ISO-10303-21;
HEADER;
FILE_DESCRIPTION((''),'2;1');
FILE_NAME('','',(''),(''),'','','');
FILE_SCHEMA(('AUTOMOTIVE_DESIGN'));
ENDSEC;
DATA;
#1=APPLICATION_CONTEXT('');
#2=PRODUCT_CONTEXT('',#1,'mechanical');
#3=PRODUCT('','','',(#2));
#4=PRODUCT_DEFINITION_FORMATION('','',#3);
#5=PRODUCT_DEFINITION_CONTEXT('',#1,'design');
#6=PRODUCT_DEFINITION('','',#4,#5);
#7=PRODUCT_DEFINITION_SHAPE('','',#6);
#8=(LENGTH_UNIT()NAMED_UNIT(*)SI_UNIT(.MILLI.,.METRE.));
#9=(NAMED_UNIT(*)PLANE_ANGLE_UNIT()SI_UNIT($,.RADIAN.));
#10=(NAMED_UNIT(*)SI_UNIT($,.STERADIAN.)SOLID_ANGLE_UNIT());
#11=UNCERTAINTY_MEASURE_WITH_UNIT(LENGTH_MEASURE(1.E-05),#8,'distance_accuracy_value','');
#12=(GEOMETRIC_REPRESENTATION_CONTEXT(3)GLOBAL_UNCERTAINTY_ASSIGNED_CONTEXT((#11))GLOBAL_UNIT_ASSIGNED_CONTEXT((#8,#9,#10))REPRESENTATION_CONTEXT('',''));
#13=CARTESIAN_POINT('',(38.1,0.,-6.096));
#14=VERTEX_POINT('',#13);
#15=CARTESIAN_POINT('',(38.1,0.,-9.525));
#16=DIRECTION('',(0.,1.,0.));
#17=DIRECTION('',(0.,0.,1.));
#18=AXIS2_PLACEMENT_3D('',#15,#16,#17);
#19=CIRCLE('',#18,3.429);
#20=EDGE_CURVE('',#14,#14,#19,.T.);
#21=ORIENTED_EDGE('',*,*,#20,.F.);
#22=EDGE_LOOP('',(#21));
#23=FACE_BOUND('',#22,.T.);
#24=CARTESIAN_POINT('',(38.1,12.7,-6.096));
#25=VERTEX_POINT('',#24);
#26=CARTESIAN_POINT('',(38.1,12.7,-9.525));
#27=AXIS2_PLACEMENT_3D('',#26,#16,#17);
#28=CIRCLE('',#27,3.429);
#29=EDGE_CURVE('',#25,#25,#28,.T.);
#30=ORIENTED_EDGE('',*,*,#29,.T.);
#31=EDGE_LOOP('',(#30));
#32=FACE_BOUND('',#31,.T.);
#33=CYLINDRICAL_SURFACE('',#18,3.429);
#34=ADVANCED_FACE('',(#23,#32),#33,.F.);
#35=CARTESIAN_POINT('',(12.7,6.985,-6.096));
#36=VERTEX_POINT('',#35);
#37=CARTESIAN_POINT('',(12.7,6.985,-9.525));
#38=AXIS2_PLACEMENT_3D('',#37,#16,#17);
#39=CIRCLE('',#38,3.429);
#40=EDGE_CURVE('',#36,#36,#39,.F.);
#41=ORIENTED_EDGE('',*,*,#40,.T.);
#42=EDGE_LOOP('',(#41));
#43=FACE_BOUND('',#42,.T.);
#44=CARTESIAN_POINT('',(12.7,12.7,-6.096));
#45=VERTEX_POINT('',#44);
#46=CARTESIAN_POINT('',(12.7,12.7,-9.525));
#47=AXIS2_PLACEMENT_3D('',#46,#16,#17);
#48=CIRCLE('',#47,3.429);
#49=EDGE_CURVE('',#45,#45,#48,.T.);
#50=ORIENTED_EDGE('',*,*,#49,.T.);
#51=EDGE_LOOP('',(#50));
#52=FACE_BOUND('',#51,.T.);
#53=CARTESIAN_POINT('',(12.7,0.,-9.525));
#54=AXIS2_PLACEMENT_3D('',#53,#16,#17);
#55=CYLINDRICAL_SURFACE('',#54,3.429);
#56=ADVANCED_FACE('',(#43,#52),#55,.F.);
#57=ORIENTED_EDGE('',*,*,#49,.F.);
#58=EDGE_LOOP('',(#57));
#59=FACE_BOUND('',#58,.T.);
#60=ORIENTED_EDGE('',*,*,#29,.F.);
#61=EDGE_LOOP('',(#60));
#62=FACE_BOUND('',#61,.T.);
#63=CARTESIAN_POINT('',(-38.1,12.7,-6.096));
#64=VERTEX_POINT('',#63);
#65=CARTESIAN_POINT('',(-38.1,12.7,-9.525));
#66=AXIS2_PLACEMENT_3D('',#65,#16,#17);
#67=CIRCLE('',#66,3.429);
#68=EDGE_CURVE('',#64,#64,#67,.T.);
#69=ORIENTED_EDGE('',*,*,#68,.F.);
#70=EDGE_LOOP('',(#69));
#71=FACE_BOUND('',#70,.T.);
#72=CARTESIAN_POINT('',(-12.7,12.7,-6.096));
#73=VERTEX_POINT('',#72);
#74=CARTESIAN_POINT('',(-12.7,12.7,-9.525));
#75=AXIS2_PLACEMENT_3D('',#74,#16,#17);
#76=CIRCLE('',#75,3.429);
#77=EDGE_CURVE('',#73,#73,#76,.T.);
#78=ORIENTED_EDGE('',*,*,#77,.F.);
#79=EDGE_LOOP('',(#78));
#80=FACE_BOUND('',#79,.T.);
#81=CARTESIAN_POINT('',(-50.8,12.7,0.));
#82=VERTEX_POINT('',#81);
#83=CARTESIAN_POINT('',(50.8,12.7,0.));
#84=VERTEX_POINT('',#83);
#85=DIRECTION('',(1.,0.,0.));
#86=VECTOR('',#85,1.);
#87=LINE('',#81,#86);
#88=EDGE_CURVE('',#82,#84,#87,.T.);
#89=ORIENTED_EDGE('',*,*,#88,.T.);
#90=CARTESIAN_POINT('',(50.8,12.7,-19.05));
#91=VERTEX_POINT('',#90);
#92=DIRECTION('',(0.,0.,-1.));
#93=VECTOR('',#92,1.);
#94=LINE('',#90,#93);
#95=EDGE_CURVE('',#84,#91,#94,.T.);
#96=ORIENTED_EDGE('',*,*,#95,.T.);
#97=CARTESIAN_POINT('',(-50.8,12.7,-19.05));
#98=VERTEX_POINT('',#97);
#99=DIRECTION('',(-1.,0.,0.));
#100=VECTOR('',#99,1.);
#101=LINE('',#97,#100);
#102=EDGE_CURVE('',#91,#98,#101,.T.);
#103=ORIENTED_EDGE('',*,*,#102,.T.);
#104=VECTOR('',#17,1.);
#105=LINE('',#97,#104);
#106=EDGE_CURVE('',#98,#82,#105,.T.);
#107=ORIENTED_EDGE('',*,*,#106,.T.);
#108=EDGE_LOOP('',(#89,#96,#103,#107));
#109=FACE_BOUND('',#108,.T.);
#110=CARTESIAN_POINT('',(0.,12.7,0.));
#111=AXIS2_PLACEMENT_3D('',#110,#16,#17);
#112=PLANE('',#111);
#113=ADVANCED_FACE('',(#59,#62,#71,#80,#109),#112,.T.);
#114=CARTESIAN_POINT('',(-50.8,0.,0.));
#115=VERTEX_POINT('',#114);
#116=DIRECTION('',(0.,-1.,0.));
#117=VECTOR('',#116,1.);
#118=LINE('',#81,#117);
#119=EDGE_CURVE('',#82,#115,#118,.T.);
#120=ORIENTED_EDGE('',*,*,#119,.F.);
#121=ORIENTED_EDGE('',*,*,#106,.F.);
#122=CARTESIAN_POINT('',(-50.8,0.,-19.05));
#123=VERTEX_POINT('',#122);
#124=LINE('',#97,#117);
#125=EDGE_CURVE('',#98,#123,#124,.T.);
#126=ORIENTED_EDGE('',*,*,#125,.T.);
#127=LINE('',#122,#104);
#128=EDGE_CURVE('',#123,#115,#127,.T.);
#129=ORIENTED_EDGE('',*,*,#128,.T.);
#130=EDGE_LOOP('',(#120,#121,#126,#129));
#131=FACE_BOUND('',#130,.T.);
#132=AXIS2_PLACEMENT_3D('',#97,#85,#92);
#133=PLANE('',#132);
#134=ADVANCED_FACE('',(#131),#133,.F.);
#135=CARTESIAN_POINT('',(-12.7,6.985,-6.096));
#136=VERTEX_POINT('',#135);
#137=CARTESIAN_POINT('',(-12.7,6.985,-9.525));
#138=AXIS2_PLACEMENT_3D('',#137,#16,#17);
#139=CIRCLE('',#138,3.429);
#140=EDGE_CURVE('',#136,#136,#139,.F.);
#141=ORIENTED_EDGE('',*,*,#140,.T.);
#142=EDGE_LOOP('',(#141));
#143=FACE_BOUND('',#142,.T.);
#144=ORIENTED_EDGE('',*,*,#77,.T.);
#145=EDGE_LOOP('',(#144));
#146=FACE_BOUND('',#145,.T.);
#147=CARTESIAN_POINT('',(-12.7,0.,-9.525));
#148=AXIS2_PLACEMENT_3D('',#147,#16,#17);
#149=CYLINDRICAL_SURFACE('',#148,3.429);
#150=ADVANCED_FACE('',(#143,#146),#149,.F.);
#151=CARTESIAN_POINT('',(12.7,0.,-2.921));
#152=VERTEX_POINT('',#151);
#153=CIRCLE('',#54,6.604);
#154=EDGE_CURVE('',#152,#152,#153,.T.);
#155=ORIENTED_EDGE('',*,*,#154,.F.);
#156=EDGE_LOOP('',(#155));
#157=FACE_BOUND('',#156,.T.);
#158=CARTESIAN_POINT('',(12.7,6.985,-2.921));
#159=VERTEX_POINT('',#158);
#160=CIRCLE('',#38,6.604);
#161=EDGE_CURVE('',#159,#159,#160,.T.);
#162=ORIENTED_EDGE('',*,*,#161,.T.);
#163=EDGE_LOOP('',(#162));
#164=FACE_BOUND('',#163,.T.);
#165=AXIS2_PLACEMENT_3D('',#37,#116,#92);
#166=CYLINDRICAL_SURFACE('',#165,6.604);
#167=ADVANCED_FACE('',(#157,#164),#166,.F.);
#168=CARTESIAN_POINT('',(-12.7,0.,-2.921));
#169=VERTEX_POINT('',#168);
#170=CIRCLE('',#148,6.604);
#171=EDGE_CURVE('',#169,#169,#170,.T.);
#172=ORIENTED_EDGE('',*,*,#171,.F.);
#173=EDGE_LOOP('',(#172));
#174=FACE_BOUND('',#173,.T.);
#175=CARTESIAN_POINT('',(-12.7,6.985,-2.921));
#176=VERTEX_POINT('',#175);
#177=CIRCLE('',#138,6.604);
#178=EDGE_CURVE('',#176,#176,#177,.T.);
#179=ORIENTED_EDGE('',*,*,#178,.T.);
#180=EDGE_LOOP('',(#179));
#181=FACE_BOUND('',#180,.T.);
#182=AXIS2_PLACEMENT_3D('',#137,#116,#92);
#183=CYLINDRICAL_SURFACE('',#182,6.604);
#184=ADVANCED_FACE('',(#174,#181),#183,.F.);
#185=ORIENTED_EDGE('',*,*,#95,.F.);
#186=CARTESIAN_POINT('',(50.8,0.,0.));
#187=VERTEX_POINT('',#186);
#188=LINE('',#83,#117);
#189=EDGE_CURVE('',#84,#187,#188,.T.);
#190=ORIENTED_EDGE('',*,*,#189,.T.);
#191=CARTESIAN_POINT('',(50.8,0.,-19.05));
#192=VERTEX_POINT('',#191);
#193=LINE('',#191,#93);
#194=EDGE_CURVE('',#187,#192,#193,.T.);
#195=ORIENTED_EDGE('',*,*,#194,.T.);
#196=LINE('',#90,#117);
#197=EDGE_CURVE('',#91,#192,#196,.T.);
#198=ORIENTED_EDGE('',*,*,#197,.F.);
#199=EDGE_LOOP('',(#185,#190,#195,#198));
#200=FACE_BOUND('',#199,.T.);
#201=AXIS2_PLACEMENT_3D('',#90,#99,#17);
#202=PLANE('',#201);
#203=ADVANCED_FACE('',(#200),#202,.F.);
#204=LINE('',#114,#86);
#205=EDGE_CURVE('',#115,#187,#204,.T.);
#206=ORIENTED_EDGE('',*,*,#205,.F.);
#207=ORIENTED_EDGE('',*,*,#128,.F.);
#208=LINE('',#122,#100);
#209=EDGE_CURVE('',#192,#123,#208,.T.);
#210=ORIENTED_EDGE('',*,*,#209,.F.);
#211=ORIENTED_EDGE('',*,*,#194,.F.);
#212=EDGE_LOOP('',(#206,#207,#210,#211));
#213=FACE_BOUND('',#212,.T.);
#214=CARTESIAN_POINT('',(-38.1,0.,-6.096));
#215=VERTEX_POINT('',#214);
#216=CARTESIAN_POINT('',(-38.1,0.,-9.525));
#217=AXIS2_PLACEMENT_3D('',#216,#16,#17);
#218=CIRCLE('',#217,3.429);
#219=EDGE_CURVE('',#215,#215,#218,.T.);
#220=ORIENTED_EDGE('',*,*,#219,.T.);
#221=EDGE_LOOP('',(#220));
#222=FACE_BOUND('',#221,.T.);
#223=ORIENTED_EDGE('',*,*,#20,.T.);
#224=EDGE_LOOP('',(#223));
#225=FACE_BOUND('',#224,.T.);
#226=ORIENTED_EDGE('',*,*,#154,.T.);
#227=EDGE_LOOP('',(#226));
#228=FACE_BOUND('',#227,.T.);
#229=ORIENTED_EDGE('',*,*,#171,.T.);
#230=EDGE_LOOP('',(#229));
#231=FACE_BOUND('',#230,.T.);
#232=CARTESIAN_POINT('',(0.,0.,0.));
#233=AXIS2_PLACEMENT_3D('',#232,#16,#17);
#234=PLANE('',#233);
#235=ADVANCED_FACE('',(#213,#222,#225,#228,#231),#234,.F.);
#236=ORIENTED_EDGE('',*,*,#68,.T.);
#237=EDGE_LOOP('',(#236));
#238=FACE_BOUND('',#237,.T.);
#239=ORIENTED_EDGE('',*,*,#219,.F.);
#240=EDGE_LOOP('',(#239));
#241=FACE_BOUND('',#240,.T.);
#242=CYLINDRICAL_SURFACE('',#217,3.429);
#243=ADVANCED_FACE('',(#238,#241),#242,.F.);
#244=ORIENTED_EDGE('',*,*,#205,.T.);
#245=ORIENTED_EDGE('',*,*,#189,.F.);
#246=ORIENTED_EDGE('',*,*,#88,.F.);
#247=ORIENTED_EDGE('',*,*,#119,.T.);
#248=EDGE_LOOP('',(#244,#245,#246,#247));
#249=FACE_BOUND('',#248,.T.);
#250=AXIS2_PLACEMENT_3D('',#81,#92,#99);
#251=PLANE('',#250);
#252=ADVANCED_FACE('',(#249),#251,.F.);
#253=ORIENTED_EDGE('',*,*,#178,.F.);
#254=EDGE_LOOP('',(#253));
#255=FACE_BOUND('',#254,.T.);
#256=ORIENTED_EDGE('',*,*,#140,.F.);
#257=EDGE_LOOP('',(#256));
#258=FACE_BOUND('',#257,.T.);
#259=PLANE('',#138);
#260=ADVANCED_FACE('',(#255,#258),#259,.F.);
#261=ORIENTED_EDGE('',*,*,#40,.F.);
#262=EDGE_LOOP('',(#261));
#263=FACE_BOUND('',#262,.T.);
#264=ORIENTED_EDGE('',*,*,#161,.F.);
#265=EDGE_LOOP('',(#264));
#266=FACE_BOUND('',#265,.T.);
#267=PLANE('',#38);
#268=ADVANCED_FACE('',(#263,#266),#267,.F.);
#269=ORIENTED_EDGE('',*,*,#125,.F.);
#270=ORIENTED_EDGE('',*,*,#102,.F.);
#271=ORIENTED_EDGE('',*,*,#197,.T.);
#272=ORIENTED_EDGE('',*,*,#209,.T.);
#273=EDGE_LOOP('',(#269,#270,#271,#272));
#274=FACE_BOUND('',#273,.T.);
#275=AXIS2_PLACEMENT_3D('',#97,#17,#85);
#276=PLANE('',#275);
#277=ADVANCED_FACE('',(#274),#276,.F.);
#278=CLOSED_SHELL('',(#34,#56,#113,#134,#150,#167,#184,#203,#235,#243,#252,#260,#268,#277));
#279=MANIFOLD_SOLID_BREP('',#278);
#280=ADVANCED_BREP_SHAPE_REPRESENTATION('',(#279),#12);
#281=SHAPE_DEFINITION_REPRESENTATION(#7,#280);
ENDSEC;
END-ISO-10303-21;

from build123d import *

# Parameters (mm, degrees)
SKETCH1_W           = 101.6
SKETCH1_H           = 19.05
BOSS_EXTRUDE1_DEPTH = 12.7
SKETCH2_R           = 3.429
CUT_EXTRUDE1_DEPTH  = 56.72102386
SKETCH3_R           = 6.604
CUT_EXTRUDE4_DEPTH  = 6.985


with BuildPart() as part:
    # Sketch1 → Boss-Extrude1 (new body)
    with BuildSketch(Plane(origin=(0, 0, 0), x_dir=(1, 0, 0), z_dir=(0, 1, 0))):
        with Locations((0, 9.525)):
            Rectangle(SKETCH1_W, SKETCH1_H)
    extrude(amount=BOSS_EXTRUDE1_DEPTH)

    # Sketch2 → Cut-Extrude1 (cut, through all)
    with BuildSketch(Plane(origin=(0, 12.7, 0), x_dir=(1, 0, 0), z_dir=(0, 1, 0))):
        with Locations(Location((-38.1, 9.525, 0), (0, 0, 270))):
            Circle(SKETCH2_R)
        with Locations(Location((38.1, 9.525, 0), (0, 0, 270))):
            Circle(SKETCH2_R)
        with Locations(Location((-12.7, 9.525, 0), (0, 0, 270))):
            Circle(SKETCH2_R)
        with Locations(Location((12.7, 9.525, 0), (0, 0, 270))):
            Circle(SKETCH2_R)
    extrude(amount=-CUT_EXTRUDE1_DEPTH, mode=Mode.SUBTRACT)

    # Sketch3 → Cut-Extrude4 (cut)
    with BuildSketch(Plane(origin=(0, 0, 0), x_dir=(1, 0, 0), z_dir=(0, 1, 0))):
        with Locations(Location((-12.7, 9.525, 0), (0, 0, 270))):
            Circle(SKETCH3_R)
        with Locations(Location((12.7, 9.525, 0), (0, 0, 270))):
            Circle(SKETCH3_R)
    extrude(amount=CUT_EXTRUDE4_DEPTH, mode=Mode.SUBTRACT)


solid = part.part
